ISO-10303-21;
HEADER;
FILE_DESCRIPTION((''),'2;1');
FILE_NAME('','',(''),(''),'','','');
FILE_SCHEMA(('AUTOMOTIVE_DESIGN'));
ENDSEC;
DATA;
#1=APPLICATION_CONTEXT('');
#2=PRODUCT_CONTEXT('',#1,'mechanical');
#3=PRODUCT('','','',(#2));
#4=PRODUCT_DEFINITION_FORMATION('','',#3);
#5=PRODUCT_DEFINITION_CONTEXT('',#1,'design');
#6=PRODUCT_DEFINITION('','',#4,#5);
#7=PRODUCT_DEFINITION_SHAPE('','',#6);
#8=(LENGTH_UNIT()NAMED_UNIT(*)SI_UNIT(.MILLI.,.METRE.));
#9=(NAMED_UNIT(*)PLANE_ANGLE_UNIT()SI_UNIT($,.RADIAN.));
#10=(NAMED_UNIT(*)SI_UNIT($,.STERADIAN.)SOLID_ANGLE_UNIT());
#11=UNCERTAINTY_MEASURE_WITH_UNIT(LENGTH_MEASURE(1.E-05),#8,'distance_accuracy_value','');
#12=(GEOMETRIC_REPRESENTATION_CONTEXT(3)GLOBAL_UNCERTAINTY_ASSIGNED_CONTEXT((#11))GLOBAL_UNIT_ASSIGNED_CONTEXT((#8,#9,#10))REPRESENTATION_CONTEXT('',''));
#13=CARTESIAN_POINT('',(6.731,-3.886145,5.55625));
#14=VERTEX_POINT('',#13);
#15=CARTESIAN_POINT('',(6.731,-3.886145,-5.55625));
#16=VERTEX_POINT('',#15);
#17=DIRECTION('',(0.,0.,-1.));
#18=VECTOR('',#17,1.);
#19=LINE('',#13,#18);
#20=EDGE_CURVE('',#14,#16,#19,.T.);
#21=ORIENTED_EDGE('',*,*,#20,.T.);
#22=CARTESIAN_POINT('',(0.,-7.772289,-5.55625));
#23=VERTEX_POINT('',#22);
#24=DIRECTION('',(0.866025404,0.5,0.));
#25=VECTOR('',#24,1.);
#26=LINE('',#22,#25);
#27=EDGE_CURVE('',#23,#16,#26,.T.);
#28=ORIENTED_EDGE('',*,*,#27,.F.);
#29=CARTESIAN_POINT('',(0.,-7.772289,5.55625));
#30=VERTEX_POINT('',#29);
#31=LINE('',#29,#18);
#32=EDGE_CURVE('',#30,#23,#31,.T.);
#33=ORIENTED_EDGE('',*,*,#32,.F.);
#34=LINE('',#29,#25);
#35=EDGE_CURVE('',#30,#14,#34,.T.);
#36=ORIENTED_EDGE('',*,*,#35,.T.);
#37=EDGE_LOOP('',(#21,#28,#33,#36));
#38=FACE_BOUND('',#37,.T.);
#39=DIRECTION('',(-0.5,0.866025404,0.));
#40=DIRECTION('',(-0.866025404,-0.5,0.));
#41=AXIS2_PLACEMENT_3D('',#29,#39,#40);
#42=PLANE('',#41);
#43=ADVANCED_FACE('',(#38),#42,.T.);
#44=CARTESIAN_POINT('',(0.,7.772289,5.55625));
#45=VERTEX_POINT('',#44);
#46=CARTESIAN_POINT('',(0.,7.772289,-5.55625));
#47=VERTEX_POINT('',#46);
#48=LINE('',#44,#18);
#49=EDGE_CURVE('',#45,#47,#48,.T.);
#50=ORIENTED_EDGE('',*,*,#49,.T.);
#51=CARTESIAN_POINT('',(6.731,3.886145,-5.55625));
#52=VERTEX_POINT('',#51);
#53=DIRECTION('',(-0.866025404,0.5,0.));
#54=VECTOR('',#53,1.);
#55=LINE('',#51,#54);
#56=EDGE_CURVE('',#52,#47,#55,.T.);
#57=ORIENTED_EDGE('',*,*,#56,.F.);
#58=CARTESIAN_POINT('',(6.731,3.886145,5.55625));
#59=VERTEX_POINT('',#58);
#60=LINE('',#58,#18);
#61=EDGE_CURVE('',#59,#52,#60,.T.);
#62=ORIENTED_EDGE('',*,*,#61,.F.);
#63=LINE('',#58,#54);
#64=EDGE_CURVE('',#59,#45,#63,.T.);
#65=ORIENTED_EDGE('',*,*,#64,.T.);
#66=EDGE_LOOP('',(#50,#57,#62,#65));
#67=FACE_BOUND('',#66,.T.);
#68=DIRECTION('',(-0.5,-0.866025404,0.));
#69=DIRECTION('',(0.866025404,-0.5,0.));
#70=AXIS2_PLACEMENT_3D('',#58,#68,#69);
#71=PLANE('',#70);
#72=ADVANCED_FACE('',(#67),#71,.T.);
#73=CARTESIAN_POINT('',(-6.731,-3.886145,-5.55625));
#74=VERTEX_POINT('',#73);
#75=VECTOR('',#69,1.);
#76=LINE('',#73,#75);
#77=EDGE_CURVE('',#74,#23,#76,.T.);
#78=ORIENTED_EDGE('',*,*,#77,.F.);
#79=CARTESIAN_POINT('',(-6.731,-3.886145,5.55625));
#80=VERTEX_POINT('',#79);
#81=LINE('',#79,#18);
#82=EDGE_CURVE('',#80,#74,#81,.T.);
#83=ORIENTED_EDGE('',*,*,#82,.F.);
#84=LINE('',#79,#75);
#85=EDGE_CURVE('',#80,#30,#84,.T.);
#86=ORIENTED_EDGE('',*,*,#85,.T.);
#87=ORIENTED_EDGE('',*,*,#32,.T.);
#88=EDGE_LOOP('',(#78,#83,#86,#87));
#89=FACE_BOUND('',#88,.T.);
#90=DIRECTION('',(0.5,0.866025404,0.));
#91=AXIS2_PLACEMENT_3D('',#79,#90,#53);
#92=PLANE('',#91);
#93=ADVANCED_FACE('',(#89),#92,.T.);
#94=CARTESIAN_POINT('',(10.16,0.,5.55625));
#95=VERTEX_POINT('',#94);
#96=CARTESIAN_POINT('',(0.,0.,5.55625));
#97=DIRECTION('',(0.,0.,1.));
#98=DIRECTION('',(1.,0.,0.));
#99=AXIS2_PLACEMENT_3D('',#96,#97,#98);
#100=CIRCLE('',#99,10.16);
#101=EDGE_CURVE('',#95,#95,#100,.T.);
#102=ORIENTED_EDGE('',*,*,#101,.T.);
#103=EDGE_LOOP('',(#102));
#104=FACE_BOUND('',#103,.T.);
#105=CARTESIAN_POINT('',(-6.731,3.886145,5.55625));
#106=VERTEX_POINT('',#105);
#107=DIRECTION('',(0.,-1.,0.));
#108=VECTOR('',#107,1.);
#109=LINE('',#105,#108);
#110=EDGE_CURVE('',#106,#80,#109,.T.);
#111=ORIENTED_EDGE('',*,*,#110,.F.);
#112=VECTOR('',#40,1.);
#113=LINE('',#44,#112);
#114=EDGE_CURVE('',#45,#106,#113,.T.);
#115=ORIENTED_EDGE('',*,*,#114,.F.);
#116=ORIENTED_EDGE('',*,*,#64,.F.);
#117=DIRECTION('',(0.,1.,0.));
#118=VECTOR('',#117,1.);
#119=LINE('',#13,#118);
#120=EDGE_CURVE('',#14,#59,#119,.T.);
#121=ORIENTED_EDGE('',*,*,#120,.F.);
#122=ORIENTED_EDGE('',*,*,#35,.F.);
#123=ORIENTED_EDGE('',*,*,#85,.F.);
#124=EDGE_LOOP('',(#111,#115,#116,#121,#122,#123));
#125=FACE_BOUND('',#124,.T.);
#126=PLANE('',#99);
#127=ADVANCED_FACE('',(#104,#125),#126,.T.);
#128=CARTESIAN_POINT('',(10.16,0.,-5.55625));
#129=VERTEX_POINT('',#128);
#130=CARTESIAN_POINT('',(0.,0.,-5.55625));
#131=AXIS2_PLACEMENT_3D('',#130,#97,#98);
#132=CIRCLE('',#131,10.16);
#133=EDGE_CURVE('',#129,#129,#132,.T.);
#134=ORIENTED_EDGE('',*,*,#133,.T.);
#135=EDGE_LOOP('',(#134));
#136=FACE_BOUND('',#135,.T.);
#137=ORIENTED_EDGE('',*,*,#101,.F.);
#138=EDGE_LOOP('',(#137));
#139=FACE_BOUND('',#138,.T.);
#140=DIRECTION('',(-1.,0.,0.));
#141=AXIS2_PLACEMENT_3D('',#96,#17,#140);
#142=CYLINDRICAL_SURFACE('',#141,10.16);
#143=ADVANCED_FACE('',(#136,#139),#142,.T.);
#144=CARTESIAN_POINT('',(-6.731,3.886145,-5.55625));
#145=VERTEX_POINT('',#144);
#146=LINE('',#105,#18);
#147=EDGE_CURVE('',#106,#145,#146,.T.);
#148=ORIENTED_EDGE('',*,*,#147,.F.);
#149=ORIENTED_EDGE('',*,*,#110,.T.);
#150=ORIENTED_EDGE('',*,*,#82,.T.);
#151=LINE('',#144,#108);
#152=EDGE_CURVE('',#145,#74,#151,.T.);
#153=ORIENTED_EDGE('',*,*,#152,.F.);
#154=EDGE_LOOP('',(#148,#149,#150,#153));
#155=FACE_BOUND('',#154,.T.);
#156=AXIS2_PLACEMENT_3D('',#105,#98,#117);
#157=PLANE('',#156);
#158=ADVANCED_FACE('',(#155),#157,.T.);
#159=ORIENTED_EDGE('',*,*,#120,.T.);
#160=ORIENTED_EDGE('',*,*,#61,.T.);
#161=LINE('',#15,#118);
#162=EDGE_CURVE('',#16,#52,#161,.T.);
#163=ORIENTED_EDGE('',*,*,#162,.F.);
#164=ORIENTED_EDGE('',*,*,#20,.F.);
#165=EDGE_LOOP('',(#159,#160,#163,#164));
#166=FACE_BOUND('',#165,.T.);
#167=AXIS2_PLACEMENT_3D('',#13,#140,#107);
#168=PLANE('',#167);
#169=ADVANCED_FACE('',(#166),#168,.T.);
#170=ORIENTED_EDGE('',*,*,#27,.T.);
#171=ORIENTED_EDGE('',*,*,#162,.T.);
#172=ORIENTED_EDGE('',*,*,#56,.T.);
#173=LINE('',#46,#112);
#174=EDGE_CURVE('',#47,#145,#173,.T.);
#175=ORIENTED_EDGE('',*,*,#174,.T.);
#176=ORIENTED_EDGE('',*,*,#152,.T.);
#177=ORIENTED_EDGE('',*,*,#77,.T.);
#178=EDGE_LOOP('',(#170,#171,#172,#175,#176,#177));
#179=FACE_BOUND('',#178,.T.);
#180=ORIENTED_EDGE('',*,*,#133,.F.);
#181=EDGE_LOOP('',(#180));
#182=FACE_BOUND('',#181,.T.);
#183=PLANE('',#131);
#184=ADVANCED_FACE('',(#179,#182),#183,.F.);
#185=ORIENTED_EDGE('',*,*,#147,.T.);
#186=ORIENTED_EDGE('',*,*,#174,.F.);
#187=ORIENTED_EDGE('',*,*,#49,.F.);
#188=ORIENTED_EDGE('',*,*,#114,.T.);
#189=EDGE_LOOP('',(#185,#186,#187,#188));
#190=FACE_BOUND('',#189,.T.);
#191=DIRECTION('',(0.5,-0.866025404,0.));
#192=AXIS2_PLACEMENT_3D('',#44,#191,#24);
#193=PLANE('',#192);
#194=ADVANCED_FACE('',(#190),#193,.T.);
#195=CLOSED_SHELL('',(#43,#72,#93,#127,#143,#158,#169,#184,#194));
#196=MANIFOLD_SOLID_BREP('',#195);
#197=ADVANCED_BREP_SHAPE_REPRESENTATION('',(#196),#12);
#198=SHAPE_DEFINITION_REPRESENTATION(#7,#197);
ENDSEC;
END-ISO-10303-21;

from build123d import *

# Parameters (mm, degrees)
SKETCH1_R           = 10.16
BOSS_EXTRUDE1_DEPTH = 5.55625


with BuildPart() as part:
    # Sketch1 → Boss-Extrude1 (new, symmetric)
    with BuildSketch(Plane.XY):
        Circle(SKETCH1_R)
        Polygon((0, 7.772289324), (-6.731, 3.886144662), (-6.731, -3.886144662), (0, -7.772289324), (6.731, -3.886144662), (6.731, 3.886144662), align=None, mode=Mode.SUBTRACT)
    extrude(amount=BOSS_EXTRUDE1_DEPTH, both=True)


solid = part.part
